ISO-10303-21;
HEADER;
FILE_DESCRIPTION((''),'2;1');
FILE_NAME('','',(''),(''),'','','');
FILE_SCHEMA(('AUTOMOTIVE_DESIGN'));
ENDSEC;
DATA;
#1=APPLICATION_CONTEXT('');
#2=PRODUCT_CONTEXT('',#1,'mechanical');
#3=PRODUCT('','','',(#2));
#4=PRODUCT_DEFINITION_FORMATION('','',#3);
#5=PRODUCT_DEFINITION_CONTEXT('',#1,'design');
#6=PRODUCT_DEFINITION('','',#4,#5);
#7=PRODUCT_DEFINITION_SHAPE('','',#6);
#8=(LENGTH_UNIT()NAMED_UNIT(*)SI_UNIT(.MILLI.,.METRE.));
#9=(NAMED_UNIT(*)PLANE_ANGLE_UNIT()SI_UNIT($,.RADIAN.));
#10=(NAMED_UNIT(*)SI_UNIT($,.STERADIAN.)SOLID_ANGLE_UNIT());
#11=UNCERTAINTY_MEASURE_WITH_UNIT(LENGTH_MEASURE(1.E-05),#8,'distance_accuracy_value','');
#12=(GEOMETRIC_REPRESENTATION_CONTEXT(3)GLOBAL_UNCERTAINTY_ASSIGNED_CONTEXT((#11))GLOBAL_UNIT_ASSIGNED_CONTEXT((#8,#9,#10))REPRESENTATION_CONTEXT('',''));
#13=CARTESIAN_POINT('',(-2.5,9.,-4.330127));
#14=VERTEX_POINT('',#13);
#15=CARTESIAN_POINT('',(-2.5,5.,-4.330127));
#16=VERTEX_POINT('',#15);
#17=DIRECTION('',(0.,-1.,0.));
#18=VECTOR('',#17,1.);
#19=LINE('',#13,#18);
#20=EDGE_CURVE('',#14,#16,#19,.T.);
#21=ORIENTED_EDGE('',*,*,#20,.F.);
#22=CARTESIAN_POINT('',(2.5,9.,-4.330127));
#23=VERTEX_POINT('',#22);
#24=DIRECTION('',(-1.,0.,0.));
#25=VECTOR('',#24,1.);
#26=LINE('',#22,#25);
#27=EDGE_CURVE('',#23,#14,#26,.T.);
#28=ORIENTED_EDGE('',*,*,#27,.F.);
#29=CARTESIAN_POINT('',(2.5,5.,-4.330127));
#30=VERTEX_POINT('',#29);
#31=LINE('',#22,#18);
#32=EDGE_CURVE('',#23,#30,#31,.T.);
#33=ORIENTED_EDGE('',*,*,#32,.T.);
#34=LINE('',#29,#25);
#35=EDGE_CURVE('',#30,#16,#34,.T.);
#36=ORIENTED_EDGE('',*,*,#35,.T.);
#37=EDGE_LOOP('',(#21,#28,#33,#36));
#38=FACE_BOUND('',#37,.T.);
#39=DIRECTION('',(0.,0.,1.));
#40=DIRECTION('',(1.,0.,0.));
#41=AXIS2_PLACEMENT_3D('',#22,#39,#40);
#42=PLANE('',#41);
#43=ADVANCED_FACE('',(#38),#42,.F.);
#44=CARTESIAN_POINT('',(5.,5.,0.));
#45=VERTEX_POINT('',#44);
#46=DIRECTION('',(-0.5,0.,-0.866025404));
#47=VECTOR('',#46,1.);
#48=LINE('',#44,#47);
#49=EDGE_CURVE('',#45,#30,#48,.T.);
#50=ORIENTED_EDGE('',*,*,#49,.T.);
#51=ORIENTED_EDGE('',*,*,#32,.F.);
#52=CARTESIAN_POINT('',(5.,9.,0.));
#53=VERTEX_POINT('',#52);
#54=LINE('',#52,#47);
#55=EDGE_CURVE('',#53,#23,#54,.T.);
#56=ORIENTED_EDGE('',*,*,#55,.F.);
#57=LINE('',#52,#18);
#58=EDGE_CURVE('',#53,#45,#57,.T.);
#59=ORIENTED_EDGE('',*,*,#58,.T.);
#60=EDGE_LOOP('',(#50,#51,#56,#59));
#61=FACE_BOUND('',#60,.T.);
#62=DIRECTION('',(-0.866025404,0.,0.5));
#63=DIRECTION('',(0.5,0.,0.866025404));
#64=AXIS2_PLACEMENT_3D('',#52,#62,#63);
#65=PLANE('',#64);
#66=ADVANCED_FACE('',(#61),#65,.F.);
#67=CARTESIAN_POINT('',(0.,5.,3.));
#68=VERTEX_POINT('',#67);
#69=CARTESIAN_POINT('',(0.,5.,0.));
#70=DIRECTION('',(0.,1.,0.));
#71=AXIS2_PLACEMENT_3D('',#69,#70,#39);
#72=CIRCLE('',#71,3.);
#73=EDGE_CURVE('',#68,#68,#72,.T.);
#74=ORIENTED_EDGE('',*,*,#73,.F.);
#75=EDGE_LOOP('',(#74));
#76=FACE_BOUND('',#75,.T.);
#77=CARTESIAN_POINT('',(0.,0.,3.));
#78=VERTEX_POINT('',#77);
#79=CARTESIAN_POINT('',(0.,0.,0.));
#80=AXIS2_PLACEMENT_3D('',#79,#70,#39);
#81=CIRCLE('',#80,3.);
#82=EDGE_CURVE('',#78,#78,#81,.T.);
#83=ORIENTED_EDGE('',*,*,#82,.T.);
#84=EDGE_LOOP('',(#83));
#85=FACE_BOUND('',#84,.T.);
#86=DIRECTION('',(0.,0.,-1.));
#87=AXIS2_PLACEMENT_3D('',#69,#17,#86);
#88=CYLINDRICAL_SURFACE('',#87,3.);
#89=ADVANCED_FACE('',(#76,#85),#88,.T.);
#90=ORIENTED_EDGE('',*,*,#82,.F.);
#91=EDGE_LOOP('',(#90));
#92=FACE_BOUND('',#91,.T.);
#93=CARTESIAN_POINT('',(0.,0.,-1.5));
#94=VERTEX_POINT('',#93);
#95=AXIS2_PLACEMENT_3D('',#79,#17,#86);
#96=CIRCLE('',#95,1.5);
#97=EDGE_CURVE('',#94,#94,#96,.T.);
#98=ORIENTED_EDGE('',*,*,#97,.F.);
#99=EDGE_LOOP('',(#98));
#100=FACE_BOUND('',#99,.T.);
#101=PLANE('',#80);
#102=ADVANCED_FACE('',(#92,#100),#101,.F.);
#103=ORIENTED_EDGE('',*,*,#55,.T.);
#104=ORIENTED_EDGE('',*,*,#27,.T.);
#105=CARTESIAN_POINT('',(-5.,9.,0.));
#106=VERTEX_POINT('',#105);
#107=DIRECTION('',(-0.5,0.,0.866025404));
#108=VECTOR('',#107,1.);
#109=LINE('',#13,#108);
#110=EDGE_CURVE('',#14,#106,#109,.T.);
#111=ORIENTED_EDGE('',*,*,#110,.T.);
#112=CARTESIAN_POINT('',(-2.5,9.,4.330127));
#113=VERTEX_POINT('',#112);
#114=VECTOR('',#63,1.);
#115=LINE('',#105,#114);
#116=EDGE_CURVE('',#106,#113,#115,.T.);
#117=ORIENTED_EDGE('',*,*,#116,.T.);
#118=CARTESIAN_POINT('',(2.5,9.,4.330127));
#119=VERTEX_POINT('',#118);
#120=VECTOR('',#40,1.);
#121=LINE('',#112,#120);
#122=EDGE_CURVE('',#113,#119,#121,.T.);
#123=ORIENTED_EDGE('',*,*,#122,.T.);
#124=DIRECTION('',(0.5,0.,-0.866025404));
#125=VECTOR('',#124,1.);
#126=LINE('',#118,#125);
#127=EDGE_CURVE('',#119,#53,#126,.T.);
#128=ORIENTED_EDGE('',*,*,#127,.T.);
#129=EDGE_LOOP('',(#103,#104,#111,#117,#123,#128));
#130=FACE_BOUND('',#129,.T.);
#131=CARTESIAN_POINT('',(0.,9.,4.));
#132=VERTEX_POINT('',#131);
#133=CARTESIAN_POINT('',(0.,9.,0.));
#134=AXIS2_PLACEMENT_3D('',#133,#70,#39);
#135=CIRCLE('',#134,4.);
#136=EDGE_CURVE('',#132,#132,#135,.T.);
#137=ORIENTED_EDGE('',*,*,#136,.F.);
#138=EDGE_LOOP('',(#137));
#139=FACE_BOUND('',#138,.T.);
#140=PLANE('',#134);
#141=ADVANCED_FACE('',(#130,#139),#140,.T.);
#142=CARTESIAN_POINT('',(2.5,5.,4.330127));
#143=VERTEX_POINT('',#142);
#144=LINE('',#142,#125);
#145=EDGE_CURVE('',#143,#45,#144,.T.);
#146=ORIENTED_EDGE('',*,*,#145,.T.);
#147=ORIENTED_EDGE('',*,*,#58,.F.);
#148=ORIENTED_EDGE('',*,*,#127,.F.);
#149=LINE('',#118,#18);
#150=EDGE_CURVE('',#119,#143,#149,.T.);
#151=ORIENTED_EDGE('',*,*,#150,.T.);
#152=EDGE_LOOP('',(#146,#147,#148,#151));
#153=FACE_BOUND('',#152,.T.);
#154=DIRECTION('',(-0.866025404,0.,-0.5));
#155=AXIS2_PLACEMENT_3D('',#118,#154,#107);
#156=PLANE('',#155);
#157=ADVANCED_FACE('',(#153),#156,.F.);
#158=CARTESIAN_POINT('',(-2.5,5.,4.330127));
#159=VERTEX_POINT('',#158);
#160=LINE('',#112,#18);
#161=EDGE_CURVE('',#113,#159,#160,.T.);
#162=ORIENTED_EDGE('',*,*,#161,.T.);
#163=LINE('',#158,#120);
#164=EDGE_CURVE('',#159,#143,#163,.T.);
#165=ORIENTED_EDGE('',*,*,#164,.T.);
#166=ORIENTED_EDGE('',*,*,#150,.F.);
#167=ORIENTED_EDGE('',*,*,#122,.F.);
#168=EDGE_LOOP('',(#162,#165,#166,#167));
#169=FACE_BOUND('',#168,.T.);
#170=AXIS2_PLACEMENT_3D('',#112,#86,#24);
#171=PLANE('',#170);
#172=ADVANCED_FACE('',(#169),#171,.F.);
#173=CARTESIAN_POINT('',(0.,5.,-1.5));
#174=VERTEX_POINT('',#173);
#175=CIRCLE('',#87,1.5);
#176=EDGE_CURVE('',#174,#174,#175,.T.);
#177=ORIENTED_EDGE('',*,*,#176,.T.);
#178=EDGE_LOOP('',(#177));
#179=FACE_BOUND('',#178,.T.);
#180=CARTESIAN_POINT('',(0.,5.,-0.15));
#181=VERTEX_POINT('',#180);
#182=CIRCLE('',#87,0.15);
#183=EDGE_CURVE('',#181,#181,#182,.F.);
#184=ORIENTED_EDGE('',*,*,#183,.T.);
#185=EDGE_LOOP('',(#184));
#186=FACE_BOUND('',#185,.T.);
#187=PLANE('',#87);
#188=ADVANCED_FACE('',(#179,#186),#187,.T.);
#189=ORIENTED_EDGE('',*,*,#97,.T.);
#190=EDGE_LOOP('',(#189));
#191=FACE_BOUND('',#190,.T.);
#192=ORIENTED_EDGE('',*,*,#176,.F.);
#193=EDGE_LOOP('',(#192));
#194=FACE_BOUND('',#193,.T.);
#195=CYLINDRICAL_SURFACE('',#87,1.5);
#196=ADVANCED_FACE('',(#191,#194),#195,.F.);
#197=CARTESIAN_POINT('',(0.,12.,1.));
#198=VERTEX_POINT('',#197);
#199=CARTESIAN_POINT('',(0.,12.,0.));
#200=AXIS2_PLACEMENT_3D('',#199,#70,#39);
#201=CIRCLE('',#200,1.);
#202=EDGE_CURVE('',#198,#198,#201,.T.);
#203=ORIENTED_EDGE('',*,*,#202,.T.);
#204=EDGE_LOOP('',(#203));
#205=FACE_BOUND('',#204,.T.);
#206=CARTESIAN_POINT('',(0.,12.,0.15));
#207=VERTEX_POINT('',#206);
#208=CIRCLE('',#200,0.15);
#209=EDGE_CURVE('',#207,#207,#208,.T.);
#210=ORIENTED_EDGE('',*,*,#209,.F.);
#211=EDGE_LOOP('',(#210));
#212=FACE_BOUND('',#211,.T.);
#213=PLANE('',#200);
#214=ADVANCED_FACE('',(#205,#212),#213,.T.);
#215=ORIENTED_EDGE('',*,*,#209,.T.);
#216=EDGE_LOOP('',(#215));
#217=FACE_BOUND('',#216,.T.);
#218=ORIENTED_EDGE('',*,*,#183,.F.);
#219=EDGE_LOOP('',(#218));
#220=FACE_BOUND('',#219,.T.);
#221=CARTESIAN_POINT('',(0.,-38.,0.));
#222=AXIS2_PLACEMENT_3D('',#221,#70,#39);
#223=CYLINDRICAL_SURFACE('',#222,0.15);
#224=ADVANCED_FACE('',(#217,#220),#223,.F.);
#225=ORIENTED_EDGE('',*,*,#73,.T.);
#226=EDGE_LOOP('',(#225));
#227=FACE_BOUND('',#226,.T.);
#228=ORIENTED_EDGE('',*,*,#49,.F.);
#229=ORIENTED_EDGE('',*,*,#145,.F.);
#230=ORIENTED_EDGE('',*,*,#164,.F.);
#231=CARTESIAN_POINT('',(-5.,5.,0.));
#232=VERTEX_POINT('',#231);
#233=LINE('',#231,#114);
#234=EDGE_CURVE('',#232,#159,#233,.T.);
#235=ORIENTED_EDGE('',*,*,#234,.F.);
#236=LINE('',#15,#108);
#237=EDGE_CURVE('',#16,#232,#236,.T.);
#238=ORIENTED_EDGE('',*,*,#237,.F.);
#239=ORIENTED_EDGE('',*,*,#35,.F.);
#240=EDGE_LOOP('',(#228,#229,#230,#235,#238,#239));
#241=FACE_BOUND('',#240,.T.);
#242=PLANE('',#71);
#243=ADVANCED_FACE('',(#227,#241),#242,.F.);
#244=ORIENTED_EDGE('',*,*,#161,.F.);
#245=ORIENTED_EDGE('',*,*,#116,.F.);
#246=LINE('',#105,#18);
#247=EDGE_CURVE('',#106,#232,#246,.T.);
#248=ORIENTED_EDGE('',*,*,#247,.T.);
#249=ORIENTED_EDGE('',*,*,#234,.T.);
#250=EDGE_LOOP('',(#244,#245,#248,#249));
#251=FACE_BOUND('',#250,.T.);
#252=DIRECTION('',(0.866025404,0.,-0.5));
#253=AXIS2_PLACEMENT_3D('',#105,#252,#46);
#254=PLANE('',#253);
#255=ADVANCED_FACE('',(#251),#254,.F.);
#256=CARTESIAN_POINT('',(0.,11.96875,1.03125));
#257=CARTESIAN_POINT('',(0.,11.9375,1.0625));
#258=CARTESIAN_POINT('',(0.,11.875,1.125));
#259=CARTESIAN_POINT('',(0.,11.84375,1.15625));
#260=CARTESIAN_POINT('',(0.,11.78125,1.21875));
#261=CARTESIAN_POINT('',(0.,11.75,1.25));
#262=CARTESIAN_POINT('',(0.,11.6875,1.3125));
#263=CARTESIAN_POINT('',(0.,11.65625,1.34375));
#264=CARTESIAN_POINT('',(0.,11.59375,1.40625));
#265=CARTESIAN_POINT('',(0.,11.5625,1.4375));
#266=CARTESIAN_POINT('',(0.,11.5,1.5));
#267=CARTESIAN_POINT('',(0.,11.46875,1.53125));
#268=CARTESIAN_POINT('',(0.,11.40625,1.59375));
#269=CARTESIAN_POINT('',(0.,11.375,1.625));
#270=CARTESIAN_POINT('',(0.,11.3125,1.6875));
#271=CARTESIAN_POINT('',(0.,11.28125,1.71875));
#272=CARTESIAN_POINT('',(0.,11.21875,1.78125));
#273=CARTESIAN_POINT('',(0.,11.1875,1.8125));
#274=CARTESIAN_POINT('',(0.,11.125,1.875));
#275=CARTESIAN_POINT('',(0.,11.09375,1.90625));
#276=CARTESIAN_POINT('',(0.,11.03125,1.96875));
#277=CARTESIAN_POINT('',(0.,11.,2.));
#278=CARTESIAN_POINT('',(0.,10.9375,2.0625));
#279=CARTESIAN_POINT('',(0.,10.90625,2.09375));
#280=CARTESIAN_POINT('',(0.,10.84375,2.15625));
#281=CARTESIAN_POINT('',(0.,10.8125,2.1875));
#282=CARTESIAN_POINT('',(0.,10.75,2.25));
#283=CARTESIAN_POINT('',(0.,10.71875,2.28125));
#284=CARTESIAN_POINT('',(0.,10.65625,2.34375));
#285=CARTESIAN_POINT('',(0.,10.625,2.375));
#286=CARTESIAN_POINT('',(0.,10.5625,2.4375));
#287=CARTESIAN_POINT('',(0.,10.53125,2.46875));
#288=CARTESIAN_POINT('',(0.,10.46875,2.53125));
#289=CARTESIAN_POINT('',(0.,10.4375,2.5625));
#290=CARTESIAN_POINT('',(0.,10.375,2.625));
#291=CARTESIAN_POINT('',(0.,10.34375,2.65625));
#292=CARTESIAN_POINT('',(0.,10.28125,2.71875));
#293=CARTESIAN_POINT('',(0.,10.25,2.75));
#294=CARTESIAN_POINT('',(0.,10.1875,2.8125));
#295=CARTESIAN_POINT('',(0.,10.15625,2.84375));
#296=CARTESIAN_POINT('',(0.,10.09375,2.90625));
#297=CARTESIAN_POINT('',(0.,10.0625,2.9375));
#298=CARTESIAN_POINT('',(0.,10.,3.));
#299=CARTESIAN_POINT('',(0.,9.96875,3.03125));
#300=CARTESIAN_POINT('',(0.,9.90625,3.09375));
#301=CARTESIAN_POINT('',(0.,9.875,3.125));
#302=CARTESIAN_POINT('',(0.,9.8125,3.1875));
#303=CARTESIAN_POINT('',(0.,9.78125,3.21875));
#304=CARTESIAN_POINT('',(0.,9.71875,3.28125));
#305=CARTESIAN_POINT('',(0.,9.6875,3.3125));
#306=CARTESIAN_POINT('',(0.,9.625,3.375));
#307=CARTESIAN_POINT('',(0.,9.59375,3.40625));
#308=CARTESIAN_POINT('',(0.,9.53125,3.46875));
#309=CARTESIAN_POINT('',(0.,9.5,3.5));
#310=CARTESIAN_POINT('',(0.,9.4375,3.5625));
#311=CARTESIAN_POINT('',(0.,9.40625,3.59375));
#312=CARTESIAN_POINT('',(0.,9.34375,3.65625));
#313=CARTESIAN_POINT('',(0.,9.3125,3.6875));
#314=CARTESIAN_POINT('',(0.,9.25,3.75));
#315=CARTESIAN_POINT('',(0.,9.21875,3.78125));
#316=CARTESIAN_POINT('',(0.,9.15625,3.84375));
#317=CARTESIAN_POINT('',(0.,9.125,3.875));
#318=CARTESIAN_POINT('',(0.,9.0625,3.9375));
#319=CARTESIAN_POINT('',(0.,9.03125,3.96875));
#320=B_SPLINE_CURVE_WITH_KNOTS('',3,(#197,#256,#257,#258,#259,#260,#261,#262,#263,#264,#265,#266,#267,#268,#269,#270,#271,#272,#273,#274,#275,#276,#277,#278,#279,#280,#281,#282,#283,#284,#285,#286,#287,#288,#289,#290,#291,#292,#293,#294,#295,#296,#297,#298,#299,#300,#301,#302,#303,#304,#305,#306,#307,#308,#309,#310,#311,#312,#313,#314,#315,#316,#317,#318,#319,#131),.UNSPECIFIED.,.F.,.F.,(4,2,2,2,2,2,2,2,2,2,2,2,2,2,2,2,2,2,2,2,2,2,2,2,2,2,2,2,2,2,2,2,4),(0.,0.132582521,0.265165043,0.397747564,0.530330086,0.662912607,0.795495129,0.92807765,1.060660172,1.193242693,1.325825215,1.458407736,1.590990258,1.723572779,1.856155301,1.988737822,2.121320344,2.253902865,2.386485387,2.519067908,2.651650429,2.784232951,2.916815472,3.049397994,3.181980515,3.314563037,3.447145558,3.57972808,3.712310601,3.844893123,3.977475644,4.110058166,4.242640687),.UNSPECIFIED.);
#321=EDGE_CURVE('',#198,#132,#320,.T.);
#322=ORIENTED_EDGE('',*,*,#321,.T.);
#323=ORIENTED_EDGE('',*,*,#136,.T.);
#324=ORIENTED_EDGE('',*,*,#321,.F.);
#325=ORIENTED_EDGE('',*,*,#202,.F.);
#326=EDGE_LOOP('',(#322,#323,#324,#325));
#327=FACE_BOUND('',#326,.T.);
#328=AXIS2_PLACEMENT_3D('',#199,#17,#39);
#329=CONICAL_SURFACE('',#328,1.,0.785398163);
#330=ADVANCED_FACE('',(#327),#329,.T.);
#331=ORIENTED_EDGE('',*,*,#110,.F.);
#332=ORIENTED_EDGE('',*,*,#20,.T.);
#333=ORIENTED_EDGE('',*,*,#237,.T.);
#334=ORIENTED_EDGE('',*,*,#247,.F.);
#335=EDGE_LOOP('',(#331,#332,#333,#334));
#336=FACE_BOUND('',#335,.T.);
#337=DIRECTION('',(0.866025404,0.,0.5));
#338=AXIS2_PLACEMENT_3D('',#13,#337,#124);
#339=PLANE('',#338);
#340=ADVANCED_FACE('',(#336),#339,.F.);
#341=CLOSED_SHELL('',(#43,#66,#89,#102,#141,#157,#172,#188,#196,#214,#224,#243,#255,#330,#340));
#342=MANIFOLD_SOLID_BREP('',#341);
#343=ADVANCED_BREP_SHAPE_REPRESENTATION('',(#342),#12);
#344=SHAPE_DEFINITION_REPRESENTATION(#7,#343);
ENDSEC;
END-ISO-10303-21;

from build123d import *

# Parameters (mm, degrees)
SKETCH1_R           = 3
BOSS_EXTRUDE1_DEPTH = 5
BOSS_EXTRUDE2_DEPTH = 4
SKETCH4_R           = 1
BOSS_EXTRUDE4_DEPTH = 3
DRAFT4_ANGLE        = 45
SKETCH5_R           = 0.15
CUT_EXTRUDE1_DEPTH  = 50
SKETCH6_R           = 1.5
CUT_EXTRUDE2_DEPTH  = 5


with BuildPart() as part:
    # Sketch1 → Boss-Extrude1 (new body)
    with BuildSketch(Plane(origin=(0, 0, 0), x_dir=(1, 0, 0), z_dir=(0, 1, 0))):
        with Locations(Location((0, 0, 0), (0, 0, 270))):
            Circle(SKETCH1_R)
    extrude(amount=BOSS_EXTRUDE1_DEPTH)

    # Sketch2 → Boss-Extrude2 (add)
    with BuildSketch(Plane(origin=(0, 5, 0), x_dir=(1, 0, 0), z_dir=(0, 1, 0))):
        Polygon((5, 0), (2.5, 4.330127019), (-2.5, 4.330127019), (-5, 0), (-2.5, -4.330127019), (2.5, -4.330127019), align=None)
    extrude(amount=BOSS_EXTRUDE2_DEPTH)

    # Sketch4 → Boss-Extrude4 (add)
    with BuildSketch(Plane(origin=(0, 9, 0), x_dir=(1, 0, 0), z_dir=(0, 1, 0))):
        with Locations(Location((0, 0, 0), (0, 0, 270))):
            Circle(SKETCH4_R)
    extrude(amount=BOSS_EXTRUDE4_DEPTH)

    # Draft4
    draft4_faces = [part.faces().sort_by_distance(p)[0] for p in [
        (0, 10.5, -1),
    ]]
    draft(draft4_faces, Plane.ZX.offset(12), DRAFT4_ANGLE)

    # Sketch5 → Cut-Extrude1 (cut)
    with BuildSketch(Plane(origin=(0, 12, 0), x_dir=(1, 0, 0), z_dir=(0, 1, 0))):
        with Locations(Location((0, 0, 0), (0, 0, 270))):
            Circle(SKETCH5_R)
    extrude(amount=-CUT_EXTRUDE1_DEPTH, mode=Mode.SUBTRACT)

    # Sketch6 → Cut-Extrude2 (cut)
    with BuildSketch(Plane.XZ):
        with Locations(Location((0, 0, 0), (0, 0, 270))):
            Circle(SKETCH6_R)
    extrude(amount=-CUT_EXTRUDE2_DEPTH, mode=Mode.SUBTRACT)


solid = part.part
